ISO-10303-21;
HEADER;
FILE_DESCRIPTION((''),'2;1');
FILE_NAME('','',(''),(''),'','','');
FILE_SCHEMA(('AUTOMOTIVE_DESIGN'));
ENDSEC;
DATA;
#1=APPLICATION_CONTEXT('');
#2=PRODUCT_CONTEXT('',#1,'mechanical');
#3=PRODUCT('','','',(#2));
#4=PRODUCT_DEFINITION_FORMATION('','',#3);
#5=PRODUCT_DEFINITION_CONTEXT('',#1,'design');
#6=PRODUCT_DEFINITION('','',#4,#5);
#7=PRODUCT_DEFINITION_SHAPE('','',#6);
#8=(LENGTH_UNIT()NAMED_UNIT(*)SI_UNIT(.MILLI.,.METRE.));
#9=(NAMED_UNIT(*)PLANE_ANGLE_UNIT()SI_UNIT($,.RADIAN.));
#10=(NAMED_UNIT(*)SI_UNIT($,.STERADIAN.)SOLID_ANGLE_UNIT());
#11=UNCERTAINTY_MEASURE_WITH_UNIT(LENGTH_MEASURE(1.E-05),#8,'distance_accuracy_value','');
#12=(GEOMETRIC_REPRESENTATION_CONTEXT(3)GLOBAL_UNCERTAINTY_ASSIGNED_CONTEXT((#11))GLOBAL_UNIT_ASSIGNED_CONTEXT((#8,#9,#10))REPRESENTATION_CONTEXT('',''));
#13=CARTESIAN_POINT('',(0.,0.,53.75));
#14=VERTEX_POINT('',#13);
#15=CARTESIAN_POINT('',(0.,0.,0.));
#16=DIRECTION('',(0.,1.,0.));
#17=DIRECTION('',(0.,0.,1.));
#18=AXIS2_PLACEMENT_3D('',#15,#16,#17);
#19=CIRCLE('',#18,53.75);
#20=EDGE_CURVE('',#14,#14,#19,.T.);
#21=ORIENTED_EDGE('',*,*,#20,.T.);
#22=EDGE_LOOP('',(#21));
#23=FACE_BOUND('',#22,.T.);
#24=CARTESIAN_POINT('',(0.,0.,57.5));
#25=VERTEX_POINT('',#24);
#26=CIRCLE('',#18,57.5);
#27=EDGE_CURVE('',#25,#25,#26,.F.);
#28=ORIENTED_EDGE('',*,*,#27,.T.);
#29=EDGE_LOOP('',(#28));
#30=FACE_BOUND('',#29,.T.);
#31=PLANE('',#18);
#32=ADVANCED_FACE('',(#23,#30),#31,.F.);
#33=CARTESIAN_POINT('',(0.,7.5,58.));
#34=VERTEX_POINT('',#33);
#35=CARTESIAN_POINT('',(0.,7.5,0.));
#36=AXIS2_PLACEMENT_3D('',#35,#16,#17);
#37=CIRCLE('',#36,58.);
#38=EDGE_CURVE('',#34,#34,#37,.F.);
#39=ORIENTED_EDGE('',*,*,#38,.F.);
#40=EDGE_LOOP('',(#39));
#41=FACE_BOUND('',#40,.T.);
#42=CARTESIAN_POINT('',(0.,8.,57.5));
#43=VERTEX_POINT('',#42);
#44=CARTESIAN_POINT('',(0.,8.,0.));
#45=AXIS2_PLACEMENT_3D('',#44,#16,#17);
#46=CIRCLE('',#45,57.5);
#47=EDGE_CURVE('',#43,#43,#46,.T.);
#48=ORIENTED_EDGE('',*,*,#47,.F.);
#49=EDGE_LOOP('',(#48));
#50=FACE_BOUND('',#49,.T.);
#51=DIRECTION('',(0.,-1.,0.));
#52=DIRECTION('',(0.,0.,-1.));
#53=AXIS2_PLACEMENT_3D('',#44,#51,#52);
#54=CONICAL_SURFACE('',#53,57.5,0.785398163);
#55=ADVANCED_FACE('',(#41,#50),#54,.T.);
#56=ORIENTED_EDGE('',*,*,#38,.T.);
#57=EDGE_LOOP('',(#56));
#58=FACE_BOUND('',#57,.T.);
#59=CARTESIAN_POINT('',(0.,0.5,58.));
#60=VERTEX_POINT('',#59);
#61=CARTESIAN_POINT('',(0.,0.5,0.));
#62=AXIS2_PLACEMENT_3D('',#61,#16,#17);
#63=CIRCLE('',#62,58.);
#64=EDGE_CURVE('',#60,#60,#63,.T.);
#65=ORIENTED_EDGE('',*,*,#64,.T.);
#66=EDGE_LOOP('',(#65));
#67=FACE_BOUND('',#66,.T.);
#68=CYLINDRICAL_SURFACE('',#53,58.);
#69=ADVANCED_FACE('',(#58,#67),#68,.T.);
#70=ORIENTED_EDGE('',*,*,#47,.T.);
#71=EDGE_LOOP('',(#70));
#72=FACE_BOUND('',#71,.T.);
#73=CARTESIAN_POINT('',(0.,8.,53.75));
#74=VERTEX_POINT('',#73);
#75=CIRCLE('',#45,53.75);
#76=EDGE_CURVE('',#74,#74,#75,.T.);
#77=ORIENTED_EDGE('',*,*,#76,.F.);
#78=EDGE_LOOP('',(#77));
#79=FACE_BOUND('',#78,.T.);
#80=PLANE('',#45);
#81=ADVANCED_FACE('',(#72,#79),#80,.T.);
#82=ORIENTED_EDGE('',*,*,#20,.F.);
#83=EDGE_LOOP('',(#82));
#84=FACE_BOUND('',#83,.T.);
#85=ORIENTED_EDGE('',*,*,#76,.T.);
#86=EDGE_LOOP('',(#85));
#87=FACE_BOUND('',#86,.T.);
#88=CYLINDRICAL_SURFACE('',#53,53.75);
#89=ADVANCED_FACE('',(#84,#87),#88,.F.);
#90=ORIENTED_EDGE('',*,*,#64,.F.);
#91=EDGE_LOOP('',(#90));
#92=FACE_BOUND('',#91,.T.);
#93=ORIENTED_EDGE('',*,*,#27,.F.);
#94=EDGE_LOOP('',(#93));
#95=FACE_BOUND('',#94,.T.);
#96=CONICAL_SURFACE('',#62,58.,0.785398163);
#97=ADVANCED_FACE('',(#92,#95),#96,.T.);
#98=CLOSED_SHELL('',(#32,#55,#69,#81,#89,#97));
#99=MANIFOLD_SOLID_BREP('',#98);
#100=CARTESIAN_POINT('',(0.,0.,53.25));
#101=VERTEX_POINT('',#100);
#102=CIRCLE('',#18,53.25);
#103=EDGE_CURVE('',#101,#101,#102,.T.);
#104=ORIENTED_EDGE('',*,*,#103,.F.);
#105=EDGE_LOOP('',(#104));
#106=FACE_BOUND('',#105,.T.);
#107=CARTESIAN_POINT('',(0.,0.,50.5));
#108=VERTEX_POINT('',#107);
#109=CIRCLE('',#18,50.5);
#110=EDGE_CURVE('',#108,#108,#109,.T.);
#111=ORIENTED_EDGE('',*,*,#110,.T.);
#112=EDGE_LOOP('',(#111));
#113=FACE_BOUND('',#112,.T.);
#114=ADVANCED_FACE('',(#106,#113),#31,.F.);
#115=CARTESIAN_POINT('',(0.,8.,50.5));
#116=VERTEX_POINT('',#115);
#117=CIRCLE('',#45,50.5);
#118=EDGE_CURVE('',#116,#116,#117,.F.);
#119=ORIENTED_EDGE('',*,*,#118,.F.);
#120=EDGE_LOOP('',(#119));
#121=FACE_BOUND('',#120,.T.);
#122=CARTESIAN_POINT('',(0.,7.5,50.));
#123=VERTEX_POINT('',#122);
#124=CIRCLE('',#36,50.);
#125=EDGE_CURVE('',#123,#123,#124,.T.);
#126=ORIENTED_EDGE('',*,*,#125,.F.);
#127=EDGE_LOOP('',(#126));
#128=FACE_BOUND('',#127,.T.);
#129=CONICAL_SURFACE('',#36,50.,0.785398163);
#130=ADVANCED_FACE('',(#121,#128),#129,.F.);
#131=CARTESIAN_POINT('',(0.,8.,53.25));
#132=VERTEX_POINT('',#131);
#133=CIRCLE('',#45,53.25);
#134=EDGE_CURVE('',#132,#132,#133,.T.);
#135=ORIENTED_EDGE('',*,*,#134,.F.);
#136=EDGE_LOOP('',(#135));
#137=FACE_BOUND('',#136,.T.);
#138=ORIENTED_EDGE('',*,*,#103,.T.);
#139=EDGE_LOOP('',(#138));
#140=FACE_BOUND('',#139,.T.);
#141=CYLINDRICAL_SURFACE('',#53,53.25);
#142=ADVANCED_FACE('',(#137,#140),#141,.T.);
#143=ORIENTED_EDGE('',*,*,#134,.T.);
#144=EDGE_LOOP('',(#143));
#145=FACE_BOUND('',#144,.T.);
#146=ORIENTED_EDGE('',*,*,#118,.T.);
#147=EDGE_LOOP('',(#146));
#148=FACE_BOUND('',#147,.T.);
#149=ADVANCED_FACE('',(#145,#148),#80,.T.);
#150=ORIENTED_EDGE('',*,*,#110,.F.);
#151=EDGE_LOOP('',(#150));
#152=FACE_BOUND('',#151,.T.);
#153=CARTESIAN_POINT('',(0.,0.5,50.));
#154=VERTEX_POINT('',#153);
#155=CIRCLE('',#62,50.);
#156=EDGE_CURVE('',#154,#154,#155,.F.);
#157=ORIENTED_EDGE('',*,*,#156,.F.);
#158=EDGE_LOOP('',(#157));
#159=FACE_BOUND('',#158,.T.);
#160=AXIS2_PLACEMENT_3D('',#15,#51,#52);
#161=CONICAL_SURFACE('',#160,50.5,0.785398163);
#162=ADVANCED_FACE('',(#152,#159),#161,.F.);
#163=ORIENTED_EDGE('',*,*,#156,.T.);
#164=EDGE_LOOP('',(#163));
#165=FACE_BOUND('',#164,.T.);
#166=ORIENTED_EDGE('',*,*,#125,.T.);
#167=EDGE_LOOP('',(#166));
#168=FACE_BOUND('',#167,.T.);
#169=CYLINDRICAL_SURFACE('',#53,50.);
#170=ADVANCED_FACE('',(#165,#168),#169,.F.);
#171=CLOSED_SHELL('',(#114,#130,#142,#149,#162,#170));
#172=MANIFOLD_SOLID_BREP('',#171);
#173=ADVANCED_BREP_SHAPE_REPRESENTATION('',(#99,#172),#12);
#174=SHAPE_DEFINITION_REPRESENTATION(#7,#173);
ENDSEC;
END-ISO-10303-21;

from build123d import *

# Parameters (mm, degrees)
SKETCH_1_R      = 58
SKETCH_1_R_2    = 53.75
EXTRUDE_1_DEPTH = 8
SKETCH_2_R      = 53.25
SKETCH_2_R_2    = 50
EXTRUDE_2_DEPTH = 8
CHAMFER_1_SIZE  = 0.5
CHAMFER_2_SIZE  = 0.5


with BuildPart() as part:
    # 草图1 → 凸台-拉伸1 (new body)
    with BuildSketch(Plane(origin=(0, 0, 0), x_dir=(1, 0, 0), z_dir=(0, 1, 0))):
        with Locations(Location((0, 0, 0), (0, 0, 270))):
            Circle(SKETCH_1_R)
        with Locations(Location((0, 0, 0), (0, 0, 270))):
            Circle(SKETCH_1_R_2, mode=Mode.SUBTRACT)
    extrude(amount=EXTRUDE_1_DEPTH)

    # 倒角1
    chamfer_1_edges = [part.edges().sort_by_distance(p)[0] for p in [
        (0, 0, -58),
        (0, 8, -58),
    ]]
    chamfer(chamfer_1_edges, length=CHAMFER_1_SIZE)


with BuildPart() as body_2:
    # 草图2 → 凸台-拉伸2 (new body)
    with BuildSketch(Plane(origin=(0, 0, 0), x_dir=(1, 0, 0), z_dir=(0, 1, 0))):
        with Locations(Location((0, 0, 0), (0, 0, 270))):
            Circle(SKETCH_2_R)
        with Locations(Location((0, 0, 0), (0, 0, 270))):
            Circle(SKETCH_2_R_2, mode=Mode.SUBTRACT)
    extrude(amount=EXTRUDE_2_DEPTH)

    # 倒角2
    chamfer_2_edges = [body_2.edges().sort_by_distance(p)[0] for p in [
        (0, 0, -50),
        (0, 8, -50),
    ]]
    chamfer(chamfer_2_edges, length=CHAMFER_2_SIZE)


solid = Compound([part.part, body_2.part])
